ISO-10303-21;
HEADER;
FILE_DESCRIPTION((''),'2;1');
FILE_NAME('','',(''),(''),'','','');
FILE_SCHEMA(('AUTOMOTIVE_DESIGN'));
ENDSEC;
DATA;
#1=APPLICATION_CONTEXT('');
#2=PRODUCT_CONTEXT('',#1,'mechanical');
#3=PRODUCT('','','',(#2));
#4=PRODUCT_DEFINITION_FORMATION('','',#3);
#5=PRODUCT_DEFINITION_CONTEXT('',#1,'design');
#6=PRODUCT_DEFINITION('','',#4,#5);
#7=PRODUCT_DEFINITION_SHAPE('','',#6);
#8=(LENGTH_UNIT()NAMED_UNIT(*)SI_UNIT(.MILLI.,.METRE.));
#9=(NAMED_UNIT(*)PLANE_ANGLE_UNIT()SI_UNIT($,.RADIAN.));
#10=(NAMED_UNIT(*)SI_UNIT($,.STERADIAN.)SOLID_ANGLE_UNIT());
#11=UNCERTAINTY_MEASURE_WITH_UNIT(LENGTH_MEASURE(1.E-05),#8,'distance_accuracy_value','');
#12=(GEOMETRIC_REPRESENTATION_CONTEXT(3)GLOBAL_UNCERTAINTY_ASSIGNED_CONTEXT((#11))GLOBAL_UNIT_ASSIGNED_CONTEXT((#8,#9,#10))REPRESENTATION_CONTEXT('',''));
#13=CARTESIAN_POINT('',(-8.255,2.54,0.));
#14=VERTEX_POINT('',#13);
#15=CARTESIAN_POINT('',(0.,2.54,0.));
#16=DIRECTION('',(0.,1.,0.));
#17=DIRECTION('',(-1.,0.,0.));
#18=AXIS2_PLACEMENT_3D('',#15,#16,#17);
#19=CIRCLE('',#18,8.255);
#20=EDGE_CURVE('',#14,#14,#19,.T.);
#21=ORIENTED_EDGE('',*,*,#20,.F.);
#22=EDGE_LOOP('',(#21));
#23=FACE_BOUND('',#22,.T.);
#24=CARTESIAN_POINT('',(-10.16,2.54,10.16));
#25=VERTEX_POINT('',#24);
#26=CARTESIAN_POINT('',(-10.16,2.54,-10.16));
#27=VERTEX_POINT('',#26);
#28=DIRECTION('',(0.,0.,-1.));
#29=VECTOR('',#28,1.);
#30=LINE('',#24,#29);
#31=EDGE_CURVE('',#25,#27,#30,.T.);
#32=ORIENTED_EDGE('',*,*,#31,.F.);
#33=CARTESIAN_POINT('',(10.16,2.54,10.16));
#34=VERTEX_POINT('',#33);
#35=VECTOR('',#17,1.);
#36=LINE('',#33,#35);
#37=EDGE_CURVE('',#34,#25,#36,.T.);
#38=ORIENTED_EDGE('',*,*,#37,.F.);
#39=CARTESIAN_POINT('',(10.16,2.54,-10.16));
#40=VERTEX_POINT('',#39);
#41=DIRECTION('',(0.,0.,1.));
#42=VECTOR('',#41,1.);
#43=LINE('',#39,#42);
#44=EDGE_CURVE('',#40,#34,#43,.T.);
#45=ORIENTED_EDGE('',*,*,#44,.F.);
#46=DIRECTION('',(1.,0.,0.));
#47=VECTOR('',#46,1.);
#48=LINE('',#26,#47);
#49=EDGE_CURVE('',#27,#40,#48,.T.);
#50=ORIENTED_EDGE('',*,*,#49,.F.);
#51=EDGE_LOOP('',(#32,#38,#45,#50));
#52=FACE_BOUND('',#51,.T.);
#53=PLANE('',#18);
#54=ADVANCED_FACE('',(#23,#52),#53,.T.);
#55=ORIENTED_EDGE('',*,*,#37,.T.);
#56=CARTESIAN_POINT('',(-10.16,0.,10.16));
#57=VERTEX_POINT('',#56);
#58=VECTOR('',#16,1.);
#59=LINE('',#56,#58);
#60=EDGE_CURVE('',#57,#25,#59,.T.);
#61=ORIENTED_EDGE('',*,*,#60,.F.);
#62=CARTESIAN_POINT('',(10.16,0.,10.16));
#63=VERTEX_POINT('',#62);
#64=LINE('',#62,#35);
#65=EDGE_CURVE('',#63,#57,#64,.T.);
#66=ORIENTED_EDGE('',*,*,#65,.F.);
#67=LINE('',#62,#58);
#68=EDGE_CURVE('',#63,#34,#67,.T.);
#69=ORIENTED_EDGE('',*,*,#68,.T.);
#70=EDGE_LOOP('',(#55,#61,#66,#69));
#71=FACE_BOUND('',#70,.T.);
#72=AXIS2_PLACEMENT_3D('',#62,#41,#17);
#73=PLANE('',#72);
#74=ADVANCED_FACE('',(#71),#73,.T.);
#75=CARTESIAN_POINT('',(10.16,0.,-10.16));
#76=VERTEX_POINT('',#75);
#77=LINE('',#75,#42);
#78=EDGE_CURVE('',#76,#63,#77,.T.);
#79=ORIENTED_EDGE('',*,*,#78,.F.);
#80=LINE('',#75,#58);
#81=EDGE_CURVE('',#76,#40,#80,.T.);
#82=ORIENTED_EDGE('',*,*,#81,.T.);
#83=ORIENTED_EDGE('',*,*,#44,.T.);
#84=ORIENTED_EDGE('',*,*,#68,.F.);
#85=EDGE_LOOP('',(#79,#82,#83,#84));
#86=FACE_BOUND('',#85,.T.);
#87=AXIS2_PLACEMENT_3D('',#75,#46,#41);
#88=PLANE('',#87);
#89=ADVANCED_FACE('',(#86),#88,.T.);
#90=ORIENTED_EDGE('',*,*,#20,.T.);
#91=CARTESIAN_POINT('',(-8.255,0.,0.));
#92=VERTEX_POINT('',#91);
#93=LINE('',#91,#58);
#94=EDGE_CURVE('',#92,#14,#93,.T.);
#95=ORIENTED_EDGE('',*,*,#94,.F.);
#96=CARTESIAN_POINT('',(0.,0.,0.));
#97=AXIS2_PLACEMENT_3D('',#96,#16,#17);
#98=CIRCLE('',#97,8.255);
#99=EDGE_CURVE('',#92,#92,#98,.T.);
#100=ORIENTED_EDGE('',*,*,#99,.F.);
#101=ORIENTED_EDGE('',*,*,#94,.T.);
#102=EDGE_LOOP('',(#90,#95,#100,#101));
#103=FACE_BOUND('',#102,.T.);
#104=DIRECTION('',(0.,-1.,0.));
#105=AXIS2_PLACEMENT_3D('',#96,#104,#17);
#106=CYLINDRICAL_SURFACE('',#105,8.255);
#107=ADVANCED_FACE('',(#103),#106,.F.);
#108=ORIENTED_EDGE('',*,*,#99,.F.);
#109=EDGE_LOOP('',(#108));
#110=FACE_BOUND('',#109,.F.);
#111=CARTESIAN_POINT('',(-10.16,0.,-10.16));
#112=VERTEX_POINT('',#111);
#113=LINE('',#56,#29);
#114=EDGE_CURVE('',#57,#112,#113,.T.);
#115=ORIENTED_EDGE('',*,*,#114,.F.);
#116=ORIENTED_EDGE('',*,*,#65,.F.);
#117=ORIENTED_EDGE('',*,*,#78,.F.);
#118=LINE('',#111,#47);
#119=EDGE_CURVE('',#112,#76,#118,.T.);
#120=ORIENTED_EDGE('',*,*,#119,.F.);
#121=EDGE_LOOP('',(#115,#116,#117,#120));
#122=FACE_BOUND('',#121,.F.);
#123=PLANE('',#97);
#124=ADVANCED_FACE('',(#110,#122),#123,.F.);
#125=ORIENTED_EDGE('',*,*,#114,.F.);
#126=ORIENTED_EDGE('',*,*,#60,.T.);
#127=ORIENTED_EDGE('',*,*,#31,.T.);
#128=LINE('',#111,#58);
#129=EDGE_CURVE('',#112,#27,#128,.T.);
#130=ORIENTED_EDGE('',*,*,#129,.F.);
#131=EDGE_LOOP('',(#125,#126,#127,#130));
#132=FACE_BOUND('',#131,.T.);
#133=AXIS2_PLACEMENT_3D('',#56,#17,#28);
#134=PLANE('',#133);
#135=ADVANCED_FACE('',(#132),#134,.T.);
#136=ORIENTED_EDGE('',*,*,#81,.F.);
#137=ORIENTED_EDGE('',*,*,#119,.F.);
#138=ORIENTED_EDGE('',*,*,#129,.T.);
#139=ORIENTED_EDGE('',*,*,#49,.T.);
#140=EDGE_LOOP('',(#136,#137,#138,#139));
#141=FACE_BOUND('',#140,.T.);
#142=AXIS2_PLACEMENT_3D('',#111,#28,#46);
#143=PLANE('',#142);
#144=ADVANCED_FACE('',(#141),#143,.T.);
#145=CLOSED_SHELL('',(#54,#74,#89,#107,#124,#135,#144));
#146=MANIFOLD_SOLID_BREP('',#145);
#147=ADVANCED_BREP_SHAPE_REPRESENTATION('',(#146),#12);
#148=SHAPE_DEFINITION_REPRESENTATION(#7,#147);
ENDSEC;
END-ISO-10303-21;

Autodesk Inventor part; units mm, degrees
ref_plane "YZ Plane" through (0, 0, 0) normal (1, 0, 0) x (0, 1, 0)
ref_plane "XZ Plane" through (0, 0, 0) normal (0, 1, 0) x (-1, 0, 0)
ref_plane "XY Plane" through (0, 0, 0) normal (0, 0, 1) x (1, 0, 0)
sketch "Sketch1" plane through (0, 0, 0) normal (0, 1, 0) x (-1, 0, 0)
  circle A0 centre (0, 0) radius 8.255
  line L0 (10.16, -10.16) -> (-10.16, -10.16)
  line L1 (-10.16, -10.16) -> (-10.16, 10.16)
  line L2 (-10.16, 10.16) -> (10.16, 10.16)
  line L3 (10.16, 10.16) -> (10.16, -10.16)
  dimension "d0" = 16.51
  dimension "d4" = 20.32
  dimension "d5" = 10.16
  dimension "d6" = 20.32
  dimension "d7" = 10.16
extrude "Extrusion2" add sketch "Sketch1" along normal blind 2.54
properties part number "MarbleRingTest3"
